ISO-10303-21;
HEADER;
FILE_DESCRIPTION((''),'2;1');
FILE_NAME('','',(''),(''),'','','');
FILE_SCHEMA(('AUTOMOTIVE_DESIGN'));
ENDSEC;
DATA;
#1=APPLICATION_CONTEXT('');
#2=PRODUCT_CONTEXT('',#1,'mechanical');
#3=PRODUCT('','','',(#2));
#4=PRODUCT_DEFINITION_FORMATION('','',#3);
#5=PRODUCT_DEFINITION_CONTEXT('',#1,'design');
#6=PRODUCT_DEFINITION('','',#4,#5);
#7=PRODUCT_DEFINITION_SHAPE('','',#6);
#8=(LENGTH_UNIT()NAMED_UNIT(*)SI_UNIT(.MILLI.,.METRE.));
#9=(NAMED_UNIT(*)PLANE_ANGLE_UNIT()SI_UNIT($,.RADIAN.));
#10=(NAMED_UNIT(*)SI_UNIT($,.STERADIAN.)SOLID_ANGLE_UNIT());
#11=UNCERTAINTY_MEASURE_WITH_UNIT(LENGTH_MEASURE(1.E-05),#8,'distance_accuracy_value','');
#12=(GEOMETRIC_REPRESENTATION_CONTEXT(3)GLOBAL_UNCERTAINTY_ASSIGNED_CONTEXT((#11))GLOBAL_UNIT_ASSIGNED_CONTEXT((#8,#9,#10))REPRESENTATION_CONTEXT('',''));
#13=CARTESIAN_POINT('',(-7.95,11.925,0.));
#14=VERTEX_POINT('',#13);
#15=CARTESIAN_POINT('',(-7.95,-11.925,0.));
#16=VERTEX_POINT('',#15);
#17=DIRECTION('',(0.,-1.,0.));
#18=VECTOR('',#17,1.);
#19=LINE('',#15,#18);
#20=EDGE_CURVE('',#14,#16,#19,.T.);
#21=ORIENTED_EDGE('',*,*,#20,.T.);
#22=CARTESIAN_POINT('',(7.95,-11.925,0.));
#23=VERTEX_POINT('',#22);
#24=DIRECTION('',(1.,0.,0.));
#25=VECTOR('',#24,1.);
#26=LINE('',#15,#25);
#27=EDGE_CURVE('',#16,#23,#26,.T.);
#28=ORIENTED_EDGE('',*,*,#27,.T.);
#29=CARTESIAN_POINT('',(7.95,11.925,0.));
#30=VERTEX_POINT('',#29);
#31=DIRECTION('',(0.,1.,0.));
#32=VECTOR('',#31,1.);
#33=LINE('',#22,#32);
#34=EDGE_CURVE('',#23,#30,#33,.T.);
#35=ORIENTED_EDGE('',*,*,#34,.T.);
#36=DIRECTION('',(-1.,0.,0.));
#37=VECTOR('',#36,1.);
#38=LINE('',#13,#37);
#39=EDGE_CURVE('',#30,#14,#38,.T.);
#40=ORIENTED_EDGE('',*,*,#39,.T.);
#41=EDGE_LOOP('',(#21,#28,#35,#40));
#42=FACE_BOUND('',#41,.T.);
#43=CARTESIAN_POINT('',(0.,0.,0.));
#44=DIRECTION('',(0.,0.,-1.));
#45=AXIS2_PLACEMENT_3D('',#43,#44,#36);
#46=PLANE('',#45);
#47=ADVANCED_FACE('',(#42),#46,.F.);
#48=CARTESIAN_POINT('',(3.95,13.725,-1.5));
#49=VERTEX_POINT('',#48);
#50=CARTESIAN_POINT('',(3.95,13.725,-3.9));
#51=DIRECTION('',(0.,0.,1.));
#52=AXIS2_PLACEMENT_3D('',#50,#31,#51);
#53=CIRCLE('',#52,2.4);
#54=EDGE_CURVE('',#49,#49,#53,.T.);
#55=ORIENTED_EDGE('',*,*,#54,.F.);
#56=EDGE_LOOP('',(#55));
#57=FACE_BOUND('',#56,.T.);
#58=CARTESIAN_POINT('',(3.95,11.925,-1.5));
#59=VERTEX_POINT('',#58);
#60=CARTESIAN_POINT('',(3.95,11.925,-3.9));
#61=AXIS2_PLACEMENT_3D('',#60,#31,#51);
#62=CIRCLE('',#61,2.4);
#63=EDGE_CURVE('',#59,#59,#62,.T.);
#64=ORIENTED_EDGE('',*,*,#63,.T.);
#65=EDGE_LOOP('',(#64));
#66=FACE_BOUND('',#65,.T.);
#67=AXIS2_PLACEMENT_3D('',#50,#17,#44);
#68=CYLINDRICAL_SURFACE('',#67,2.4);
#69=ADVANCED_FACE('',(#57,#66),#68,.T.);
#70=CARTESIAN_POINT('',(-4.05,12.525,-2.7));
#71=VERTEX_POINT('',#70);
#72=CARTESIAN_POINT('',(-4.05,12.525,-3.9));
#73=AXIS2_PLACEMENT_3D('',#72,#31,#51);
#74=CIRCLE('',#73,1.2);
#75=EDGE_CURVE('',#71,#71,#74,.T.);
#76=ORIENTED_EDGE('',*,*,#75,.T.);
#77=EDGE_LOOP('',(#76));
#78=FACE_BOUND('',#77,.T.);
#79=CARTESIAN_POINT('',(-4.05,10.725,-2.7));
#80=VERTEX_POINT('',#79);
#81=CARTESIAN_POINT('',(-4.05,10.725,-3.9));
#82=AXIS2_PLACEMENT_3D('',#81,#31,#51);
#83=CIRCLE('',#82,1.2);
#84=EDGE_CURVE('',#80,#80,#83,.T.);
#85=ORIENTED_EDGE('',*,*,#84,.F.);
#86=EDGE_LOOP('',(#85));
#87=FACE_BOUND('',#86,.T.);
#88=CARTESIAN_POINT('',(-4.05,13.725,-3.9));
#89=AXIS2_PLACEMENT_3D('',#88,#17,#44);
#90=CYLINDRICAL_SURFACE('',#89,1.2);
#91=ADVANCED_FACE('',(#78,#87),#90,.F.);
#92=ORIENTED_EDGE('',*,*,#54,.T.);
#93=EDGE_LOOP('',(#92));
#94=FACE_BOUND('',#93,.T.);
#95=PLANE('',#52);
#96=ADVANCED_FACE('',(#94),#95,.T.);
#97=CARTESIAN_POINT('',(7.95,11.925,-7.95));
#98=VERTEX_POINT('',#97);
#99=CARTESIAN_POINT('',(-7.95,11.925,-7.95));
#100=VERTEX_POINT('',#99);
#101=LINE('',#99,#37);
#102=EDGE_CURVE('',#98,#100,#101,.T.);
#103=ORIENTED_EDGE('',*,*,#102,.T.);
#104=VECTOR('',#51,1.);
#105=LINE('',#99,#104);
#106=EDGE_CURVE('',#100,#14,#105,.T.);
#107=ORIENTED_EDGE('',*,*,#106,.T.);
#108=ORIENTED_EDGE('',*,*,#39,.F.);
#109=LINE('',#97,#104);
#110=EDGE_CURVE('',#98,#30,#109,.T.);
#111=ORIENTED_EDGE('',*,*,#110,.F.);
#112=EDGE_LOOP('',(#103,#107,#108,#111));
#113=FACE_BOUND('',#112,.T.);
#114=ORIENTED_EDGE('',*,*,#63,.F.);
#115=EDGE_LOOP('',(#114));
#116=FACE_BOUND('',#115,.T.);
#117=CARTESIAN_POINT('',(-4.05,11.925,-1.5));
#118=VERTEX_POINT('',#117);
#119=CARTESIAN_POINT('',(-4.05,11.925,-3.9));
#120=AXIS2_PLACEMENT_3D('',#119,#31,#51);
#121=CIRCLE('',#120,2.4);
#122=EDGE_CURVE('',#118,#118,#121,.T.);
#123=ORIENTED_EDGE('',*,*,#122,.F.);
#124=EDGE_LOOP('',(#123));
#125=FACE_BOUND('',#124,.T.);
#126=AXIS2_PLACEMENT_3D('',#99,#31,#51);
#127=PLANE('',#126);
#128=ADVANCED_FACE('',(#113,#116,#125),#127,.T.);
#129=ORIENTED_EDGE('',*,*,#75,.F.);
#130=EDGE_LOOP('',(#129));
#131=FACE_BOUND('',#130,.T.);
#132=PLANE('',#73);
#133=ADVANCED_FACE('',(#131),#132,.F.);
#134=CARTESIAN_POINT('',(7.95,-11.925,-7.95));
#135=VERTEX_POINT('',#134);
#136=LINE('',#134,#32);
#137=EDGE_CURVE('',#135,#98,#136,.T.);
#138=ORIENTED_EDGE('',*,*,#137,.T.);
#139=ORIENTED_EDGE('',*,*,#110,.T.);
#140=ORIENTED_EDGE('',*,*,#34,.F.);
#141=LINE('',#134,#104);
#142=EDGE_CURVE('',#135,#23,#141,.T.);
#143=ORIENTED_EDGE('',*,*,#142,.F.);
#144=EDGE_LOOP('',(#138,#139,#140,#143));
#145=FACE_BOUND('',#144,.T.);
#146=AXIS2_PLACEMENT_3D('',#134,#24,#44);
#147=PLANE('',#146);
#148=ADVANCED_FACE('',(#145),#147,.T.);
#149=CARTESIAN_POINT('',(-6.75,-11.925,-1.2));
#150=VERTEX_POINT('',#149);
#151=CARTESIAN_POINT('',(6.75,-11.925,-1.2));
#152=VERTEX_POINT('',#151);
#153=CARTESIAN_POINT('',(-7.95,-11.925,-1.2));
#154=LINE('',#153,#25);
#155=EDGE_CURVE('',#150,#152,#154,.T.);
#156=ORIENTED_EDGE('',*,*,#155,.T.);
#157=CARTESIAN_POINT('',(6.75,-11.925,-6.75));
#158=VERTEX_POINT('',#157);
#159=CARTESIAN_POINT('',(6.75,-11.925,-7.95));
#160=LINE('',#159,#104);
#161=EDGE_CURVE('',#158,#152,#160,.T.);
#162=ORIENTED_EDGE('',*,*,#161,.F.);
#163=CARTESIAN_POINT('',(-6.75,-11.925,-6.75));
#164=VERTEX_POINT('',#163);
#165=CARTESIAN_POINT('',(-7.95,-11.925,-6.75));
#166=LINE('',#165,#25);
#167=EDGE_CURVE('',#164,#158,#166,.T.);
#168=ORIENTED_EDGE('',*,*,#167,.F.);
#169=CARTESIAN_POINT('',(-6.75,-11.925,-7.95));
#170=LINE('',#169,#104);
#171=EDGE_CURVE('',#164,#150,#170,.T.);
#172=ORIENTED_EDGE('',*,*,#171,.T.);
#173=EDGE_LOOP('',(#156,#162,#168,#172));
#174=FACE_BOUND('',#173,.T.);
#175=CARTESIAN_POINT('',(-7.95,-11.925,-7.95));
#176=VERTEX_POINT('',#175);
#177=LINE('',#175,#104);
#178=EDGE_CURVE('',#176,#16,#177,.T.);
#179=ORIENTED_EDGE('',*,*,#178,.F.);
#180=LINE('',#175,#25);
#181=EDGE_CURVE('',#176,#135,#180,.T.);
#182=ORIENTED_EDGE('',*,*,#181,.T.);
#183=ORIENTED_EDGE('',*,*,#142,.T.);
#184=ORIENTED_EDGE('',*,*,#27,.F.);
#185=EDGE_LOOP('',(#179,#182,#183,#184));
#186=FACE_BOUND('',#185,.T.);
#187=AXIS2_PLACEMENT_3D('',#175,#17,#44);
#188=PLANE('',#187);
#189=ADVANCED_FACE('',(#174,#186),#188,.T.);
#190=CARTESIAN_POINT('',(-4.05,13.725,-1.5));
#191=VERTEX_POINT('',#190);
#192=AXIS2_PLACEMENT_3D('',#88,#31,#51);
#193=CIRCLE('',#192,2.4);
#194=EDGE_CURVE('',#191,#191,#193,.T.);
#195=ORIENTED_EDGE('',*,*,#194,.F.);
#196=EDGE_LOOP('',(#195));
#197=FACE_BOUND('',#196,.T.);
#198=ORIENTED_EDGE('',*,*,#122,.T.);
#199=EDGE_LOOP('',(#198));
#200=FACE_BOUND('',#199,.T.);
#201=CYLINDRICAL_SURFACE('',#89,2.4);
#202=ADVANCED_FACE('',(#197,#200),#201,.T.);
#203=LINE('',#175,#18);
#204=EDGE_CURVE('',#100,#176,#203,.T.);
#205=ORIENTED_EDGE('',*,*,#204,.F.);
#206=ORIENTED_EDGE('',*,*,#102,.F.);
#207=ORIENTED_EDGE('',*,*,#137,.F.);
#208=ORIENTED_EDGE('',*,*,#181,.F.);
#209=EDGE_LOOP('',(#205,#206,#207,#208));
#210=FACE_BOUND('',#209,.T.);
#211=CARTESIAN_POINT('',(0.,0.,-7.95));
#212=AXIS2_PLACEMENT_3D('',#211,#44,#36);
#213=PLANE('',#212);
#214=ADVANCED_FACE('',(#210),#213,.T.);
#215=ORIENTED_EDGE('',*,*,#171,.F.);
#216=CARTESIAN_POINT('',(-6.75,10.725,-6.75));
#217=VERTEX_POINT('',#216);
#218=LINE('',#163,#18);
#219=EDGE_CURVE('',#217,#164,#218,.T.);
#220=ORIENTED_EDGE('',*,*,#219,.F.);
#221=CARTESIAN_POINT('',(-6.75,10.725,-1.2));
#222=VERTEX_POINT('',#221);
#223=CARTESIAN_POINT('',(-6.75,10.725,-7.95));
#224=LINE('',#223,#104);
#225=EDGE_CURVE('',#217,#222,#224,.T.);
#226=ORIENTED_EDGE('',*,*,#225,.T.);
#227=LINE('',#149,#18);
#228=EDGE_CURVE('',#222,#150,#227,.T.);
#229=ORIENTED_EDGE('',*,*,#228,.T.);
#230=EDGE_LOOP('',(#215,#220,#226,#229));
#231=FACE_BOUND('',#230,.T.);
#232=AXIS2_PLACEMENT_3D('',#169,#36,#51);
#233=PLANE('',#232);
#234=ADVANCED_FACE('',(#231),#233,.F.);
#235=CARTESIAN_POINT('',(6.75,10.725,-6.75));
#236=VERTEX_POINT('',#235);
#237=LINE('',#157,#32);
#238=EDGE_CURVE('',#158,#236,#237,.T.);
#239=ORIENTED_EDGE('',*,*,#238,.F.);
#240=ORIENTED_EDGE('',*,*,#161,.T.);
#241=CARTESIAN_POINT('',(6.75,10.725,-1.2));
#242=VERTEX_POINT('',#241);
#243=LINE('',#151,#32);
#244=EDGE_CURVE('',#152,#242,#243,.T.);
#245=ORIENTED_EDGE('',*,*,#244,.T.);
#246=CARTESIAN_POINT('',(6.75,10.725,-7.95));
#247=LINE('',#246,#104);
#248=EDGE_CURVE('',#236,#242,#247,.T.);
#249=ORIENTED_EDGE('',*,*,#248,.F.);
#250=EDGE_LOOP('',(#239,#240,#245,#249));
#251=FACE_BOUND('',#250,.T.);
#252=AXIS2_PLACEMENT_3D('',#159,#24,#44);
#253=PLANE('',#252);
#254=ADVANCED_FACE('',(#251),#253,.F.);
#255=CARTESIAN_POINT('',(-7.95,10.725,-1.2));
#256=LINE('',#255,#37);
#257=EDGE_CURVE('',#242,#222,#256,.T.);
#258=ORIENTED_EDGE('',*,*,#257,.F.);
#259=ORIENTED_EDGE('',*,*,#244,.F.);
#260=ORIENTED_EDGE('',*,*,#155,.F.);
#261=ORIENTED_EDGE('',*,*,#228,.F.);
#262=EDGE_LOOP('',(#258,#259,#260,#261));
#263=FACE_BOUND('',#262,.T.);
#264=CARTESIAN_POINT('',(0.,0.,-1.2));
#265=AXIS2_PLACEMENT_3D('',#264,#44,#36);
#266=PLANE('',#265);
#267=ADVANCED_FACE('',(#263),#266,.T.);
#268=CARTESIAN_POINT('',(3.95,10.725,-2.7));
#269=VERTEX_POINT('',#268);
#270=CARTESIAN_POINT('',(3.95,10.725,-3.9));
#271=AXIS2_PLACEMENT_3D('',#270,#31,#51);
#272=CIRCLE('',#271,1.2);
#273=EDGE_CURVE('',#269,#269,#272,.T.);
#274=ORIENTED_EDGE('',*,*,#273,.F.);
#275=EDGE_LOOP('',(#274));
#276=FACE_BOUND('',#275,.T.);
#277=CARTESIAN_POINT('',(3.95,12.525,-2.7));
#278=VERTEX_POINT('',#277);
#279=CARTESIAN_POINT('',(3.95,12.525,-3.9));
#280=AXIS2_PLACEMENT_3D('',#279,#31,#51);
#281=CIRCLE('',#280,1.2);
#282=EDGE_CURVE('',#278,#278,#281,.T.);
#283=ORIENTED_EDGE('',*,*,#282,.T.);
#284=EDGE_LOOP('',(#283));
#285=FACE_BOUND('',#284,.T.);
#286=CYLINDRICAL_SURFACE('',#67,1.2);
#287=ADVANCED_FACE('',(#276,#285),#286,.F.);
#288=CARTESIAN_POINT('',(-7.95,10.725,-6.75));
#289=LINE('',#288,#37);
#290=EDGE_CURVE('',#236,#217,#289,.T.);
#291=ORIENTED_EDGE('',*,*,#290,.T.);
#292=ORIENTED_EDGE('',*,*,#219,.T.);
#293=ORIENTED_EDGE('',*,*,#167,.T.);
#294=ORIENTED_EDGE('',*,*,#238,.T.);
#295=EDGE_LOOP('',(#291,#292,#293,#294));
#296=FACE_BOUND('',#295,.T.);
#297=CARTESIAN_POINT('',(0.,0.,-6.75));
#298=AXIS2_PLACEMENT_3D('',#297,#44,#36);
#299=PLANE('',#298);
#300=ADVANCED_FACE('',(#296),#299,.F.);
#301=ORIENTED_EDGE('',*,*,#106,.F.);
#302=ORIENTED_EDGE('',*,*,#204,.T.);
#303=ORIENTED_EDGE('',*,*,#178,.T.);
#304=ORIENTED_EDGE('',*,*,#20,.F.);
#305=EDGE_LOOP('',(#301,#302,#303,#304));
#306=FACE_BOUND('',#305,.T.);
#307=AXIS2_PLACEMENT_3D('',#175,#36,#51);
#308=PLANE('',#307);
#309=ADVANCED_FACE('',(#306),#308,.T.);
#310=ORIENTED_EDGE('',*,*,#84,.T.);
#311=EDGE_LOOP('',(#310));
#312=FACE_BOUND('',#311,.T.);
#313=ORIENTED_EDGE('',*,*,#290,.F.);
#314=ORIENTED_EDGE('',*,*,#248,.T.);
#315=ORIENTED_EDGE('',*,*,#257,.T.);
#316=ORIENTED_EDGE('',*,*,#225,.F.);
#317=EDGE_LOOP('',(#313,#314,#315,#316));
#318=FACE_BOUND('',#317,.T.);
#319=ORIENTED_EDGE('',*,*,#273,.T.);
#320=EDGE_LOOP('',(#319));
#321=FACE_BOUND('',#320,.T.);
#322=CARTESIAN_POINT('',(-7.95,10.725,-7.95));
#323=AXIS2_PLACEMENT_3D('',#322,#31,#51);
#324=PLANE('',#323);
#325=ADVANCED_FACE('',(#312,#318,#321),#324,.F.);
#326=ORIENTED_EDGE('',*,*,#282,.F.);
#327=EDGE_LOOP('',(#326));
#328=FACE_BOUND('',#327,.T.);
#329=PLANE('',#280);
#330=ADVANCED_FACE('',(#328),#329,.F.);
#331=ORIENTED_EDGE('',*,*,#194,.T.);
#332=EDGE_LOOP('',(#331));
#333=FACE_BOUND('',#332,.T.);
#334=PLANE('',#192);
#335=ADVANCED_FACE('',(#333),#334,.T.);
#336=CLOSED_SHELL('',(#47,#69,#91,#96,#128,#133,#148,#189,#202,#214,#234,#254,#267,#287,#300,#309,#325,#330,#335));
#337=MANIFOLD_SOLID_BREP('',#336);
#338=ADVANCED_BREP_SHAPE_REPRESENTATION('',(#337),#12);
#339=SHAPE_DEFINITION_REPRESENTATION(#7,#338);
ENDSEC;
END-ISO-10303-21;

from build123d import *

# Parameters (mm, degrees)
SKETCH1_W           = 15.9
SKETCH1_H           = 23.85
BOSS_EXTRUDE1_DEPTH = 7.95
SKETCH2_R           = 2.4
BOSS_EXTRUDE2_DEPTH = 1.8
LPATTERN1_COUNT     = 2
LPATTERN1_PITCH     = 8
SHELL1_T            = -1.2


with BuildPart() as part:
    # Sketch1 → Boss-Extrude1 (new body)
    with BuildSketch(Plane.XY):
        Rectangle(SKETCH1_W, SKETCH1_H)
    extrude(amount=-BOSS_EXTRUDE1_DEPTH)

    # Sketch2 → Boss-Extrude2 (add)
    with BuildSketch(Plane(origin=(0, 11.925, 0), x_dir=(1, 0, 0), z_dir=(0, 1, 0))):
        with Locations(Location((-4.05, 3.9, 0), (0, 0, 270))):
            Circle(SKETCH2_R)
    boss_extrude2 = extrude(amount=BOSS_EXTRUDE2_DEPTH)

    # LPattern1: Boss-Extrude2 ×2
    with Locations(*[(i * LPATTERN1_PITCH, 0, 0) for i in range(1, LPATTERN1_COUNT)]):
        add(boss_extrude2)

    # Shell1
    shell1_openings = [part.faces().sort_by_distance(p)[0] for p in [
        (0, -11.925, -3.975),
    ]]
    offset(amount=SHELL1_T, openings=shell1_openings, kind=Kind.INTERSECTION)


solid = part.part
